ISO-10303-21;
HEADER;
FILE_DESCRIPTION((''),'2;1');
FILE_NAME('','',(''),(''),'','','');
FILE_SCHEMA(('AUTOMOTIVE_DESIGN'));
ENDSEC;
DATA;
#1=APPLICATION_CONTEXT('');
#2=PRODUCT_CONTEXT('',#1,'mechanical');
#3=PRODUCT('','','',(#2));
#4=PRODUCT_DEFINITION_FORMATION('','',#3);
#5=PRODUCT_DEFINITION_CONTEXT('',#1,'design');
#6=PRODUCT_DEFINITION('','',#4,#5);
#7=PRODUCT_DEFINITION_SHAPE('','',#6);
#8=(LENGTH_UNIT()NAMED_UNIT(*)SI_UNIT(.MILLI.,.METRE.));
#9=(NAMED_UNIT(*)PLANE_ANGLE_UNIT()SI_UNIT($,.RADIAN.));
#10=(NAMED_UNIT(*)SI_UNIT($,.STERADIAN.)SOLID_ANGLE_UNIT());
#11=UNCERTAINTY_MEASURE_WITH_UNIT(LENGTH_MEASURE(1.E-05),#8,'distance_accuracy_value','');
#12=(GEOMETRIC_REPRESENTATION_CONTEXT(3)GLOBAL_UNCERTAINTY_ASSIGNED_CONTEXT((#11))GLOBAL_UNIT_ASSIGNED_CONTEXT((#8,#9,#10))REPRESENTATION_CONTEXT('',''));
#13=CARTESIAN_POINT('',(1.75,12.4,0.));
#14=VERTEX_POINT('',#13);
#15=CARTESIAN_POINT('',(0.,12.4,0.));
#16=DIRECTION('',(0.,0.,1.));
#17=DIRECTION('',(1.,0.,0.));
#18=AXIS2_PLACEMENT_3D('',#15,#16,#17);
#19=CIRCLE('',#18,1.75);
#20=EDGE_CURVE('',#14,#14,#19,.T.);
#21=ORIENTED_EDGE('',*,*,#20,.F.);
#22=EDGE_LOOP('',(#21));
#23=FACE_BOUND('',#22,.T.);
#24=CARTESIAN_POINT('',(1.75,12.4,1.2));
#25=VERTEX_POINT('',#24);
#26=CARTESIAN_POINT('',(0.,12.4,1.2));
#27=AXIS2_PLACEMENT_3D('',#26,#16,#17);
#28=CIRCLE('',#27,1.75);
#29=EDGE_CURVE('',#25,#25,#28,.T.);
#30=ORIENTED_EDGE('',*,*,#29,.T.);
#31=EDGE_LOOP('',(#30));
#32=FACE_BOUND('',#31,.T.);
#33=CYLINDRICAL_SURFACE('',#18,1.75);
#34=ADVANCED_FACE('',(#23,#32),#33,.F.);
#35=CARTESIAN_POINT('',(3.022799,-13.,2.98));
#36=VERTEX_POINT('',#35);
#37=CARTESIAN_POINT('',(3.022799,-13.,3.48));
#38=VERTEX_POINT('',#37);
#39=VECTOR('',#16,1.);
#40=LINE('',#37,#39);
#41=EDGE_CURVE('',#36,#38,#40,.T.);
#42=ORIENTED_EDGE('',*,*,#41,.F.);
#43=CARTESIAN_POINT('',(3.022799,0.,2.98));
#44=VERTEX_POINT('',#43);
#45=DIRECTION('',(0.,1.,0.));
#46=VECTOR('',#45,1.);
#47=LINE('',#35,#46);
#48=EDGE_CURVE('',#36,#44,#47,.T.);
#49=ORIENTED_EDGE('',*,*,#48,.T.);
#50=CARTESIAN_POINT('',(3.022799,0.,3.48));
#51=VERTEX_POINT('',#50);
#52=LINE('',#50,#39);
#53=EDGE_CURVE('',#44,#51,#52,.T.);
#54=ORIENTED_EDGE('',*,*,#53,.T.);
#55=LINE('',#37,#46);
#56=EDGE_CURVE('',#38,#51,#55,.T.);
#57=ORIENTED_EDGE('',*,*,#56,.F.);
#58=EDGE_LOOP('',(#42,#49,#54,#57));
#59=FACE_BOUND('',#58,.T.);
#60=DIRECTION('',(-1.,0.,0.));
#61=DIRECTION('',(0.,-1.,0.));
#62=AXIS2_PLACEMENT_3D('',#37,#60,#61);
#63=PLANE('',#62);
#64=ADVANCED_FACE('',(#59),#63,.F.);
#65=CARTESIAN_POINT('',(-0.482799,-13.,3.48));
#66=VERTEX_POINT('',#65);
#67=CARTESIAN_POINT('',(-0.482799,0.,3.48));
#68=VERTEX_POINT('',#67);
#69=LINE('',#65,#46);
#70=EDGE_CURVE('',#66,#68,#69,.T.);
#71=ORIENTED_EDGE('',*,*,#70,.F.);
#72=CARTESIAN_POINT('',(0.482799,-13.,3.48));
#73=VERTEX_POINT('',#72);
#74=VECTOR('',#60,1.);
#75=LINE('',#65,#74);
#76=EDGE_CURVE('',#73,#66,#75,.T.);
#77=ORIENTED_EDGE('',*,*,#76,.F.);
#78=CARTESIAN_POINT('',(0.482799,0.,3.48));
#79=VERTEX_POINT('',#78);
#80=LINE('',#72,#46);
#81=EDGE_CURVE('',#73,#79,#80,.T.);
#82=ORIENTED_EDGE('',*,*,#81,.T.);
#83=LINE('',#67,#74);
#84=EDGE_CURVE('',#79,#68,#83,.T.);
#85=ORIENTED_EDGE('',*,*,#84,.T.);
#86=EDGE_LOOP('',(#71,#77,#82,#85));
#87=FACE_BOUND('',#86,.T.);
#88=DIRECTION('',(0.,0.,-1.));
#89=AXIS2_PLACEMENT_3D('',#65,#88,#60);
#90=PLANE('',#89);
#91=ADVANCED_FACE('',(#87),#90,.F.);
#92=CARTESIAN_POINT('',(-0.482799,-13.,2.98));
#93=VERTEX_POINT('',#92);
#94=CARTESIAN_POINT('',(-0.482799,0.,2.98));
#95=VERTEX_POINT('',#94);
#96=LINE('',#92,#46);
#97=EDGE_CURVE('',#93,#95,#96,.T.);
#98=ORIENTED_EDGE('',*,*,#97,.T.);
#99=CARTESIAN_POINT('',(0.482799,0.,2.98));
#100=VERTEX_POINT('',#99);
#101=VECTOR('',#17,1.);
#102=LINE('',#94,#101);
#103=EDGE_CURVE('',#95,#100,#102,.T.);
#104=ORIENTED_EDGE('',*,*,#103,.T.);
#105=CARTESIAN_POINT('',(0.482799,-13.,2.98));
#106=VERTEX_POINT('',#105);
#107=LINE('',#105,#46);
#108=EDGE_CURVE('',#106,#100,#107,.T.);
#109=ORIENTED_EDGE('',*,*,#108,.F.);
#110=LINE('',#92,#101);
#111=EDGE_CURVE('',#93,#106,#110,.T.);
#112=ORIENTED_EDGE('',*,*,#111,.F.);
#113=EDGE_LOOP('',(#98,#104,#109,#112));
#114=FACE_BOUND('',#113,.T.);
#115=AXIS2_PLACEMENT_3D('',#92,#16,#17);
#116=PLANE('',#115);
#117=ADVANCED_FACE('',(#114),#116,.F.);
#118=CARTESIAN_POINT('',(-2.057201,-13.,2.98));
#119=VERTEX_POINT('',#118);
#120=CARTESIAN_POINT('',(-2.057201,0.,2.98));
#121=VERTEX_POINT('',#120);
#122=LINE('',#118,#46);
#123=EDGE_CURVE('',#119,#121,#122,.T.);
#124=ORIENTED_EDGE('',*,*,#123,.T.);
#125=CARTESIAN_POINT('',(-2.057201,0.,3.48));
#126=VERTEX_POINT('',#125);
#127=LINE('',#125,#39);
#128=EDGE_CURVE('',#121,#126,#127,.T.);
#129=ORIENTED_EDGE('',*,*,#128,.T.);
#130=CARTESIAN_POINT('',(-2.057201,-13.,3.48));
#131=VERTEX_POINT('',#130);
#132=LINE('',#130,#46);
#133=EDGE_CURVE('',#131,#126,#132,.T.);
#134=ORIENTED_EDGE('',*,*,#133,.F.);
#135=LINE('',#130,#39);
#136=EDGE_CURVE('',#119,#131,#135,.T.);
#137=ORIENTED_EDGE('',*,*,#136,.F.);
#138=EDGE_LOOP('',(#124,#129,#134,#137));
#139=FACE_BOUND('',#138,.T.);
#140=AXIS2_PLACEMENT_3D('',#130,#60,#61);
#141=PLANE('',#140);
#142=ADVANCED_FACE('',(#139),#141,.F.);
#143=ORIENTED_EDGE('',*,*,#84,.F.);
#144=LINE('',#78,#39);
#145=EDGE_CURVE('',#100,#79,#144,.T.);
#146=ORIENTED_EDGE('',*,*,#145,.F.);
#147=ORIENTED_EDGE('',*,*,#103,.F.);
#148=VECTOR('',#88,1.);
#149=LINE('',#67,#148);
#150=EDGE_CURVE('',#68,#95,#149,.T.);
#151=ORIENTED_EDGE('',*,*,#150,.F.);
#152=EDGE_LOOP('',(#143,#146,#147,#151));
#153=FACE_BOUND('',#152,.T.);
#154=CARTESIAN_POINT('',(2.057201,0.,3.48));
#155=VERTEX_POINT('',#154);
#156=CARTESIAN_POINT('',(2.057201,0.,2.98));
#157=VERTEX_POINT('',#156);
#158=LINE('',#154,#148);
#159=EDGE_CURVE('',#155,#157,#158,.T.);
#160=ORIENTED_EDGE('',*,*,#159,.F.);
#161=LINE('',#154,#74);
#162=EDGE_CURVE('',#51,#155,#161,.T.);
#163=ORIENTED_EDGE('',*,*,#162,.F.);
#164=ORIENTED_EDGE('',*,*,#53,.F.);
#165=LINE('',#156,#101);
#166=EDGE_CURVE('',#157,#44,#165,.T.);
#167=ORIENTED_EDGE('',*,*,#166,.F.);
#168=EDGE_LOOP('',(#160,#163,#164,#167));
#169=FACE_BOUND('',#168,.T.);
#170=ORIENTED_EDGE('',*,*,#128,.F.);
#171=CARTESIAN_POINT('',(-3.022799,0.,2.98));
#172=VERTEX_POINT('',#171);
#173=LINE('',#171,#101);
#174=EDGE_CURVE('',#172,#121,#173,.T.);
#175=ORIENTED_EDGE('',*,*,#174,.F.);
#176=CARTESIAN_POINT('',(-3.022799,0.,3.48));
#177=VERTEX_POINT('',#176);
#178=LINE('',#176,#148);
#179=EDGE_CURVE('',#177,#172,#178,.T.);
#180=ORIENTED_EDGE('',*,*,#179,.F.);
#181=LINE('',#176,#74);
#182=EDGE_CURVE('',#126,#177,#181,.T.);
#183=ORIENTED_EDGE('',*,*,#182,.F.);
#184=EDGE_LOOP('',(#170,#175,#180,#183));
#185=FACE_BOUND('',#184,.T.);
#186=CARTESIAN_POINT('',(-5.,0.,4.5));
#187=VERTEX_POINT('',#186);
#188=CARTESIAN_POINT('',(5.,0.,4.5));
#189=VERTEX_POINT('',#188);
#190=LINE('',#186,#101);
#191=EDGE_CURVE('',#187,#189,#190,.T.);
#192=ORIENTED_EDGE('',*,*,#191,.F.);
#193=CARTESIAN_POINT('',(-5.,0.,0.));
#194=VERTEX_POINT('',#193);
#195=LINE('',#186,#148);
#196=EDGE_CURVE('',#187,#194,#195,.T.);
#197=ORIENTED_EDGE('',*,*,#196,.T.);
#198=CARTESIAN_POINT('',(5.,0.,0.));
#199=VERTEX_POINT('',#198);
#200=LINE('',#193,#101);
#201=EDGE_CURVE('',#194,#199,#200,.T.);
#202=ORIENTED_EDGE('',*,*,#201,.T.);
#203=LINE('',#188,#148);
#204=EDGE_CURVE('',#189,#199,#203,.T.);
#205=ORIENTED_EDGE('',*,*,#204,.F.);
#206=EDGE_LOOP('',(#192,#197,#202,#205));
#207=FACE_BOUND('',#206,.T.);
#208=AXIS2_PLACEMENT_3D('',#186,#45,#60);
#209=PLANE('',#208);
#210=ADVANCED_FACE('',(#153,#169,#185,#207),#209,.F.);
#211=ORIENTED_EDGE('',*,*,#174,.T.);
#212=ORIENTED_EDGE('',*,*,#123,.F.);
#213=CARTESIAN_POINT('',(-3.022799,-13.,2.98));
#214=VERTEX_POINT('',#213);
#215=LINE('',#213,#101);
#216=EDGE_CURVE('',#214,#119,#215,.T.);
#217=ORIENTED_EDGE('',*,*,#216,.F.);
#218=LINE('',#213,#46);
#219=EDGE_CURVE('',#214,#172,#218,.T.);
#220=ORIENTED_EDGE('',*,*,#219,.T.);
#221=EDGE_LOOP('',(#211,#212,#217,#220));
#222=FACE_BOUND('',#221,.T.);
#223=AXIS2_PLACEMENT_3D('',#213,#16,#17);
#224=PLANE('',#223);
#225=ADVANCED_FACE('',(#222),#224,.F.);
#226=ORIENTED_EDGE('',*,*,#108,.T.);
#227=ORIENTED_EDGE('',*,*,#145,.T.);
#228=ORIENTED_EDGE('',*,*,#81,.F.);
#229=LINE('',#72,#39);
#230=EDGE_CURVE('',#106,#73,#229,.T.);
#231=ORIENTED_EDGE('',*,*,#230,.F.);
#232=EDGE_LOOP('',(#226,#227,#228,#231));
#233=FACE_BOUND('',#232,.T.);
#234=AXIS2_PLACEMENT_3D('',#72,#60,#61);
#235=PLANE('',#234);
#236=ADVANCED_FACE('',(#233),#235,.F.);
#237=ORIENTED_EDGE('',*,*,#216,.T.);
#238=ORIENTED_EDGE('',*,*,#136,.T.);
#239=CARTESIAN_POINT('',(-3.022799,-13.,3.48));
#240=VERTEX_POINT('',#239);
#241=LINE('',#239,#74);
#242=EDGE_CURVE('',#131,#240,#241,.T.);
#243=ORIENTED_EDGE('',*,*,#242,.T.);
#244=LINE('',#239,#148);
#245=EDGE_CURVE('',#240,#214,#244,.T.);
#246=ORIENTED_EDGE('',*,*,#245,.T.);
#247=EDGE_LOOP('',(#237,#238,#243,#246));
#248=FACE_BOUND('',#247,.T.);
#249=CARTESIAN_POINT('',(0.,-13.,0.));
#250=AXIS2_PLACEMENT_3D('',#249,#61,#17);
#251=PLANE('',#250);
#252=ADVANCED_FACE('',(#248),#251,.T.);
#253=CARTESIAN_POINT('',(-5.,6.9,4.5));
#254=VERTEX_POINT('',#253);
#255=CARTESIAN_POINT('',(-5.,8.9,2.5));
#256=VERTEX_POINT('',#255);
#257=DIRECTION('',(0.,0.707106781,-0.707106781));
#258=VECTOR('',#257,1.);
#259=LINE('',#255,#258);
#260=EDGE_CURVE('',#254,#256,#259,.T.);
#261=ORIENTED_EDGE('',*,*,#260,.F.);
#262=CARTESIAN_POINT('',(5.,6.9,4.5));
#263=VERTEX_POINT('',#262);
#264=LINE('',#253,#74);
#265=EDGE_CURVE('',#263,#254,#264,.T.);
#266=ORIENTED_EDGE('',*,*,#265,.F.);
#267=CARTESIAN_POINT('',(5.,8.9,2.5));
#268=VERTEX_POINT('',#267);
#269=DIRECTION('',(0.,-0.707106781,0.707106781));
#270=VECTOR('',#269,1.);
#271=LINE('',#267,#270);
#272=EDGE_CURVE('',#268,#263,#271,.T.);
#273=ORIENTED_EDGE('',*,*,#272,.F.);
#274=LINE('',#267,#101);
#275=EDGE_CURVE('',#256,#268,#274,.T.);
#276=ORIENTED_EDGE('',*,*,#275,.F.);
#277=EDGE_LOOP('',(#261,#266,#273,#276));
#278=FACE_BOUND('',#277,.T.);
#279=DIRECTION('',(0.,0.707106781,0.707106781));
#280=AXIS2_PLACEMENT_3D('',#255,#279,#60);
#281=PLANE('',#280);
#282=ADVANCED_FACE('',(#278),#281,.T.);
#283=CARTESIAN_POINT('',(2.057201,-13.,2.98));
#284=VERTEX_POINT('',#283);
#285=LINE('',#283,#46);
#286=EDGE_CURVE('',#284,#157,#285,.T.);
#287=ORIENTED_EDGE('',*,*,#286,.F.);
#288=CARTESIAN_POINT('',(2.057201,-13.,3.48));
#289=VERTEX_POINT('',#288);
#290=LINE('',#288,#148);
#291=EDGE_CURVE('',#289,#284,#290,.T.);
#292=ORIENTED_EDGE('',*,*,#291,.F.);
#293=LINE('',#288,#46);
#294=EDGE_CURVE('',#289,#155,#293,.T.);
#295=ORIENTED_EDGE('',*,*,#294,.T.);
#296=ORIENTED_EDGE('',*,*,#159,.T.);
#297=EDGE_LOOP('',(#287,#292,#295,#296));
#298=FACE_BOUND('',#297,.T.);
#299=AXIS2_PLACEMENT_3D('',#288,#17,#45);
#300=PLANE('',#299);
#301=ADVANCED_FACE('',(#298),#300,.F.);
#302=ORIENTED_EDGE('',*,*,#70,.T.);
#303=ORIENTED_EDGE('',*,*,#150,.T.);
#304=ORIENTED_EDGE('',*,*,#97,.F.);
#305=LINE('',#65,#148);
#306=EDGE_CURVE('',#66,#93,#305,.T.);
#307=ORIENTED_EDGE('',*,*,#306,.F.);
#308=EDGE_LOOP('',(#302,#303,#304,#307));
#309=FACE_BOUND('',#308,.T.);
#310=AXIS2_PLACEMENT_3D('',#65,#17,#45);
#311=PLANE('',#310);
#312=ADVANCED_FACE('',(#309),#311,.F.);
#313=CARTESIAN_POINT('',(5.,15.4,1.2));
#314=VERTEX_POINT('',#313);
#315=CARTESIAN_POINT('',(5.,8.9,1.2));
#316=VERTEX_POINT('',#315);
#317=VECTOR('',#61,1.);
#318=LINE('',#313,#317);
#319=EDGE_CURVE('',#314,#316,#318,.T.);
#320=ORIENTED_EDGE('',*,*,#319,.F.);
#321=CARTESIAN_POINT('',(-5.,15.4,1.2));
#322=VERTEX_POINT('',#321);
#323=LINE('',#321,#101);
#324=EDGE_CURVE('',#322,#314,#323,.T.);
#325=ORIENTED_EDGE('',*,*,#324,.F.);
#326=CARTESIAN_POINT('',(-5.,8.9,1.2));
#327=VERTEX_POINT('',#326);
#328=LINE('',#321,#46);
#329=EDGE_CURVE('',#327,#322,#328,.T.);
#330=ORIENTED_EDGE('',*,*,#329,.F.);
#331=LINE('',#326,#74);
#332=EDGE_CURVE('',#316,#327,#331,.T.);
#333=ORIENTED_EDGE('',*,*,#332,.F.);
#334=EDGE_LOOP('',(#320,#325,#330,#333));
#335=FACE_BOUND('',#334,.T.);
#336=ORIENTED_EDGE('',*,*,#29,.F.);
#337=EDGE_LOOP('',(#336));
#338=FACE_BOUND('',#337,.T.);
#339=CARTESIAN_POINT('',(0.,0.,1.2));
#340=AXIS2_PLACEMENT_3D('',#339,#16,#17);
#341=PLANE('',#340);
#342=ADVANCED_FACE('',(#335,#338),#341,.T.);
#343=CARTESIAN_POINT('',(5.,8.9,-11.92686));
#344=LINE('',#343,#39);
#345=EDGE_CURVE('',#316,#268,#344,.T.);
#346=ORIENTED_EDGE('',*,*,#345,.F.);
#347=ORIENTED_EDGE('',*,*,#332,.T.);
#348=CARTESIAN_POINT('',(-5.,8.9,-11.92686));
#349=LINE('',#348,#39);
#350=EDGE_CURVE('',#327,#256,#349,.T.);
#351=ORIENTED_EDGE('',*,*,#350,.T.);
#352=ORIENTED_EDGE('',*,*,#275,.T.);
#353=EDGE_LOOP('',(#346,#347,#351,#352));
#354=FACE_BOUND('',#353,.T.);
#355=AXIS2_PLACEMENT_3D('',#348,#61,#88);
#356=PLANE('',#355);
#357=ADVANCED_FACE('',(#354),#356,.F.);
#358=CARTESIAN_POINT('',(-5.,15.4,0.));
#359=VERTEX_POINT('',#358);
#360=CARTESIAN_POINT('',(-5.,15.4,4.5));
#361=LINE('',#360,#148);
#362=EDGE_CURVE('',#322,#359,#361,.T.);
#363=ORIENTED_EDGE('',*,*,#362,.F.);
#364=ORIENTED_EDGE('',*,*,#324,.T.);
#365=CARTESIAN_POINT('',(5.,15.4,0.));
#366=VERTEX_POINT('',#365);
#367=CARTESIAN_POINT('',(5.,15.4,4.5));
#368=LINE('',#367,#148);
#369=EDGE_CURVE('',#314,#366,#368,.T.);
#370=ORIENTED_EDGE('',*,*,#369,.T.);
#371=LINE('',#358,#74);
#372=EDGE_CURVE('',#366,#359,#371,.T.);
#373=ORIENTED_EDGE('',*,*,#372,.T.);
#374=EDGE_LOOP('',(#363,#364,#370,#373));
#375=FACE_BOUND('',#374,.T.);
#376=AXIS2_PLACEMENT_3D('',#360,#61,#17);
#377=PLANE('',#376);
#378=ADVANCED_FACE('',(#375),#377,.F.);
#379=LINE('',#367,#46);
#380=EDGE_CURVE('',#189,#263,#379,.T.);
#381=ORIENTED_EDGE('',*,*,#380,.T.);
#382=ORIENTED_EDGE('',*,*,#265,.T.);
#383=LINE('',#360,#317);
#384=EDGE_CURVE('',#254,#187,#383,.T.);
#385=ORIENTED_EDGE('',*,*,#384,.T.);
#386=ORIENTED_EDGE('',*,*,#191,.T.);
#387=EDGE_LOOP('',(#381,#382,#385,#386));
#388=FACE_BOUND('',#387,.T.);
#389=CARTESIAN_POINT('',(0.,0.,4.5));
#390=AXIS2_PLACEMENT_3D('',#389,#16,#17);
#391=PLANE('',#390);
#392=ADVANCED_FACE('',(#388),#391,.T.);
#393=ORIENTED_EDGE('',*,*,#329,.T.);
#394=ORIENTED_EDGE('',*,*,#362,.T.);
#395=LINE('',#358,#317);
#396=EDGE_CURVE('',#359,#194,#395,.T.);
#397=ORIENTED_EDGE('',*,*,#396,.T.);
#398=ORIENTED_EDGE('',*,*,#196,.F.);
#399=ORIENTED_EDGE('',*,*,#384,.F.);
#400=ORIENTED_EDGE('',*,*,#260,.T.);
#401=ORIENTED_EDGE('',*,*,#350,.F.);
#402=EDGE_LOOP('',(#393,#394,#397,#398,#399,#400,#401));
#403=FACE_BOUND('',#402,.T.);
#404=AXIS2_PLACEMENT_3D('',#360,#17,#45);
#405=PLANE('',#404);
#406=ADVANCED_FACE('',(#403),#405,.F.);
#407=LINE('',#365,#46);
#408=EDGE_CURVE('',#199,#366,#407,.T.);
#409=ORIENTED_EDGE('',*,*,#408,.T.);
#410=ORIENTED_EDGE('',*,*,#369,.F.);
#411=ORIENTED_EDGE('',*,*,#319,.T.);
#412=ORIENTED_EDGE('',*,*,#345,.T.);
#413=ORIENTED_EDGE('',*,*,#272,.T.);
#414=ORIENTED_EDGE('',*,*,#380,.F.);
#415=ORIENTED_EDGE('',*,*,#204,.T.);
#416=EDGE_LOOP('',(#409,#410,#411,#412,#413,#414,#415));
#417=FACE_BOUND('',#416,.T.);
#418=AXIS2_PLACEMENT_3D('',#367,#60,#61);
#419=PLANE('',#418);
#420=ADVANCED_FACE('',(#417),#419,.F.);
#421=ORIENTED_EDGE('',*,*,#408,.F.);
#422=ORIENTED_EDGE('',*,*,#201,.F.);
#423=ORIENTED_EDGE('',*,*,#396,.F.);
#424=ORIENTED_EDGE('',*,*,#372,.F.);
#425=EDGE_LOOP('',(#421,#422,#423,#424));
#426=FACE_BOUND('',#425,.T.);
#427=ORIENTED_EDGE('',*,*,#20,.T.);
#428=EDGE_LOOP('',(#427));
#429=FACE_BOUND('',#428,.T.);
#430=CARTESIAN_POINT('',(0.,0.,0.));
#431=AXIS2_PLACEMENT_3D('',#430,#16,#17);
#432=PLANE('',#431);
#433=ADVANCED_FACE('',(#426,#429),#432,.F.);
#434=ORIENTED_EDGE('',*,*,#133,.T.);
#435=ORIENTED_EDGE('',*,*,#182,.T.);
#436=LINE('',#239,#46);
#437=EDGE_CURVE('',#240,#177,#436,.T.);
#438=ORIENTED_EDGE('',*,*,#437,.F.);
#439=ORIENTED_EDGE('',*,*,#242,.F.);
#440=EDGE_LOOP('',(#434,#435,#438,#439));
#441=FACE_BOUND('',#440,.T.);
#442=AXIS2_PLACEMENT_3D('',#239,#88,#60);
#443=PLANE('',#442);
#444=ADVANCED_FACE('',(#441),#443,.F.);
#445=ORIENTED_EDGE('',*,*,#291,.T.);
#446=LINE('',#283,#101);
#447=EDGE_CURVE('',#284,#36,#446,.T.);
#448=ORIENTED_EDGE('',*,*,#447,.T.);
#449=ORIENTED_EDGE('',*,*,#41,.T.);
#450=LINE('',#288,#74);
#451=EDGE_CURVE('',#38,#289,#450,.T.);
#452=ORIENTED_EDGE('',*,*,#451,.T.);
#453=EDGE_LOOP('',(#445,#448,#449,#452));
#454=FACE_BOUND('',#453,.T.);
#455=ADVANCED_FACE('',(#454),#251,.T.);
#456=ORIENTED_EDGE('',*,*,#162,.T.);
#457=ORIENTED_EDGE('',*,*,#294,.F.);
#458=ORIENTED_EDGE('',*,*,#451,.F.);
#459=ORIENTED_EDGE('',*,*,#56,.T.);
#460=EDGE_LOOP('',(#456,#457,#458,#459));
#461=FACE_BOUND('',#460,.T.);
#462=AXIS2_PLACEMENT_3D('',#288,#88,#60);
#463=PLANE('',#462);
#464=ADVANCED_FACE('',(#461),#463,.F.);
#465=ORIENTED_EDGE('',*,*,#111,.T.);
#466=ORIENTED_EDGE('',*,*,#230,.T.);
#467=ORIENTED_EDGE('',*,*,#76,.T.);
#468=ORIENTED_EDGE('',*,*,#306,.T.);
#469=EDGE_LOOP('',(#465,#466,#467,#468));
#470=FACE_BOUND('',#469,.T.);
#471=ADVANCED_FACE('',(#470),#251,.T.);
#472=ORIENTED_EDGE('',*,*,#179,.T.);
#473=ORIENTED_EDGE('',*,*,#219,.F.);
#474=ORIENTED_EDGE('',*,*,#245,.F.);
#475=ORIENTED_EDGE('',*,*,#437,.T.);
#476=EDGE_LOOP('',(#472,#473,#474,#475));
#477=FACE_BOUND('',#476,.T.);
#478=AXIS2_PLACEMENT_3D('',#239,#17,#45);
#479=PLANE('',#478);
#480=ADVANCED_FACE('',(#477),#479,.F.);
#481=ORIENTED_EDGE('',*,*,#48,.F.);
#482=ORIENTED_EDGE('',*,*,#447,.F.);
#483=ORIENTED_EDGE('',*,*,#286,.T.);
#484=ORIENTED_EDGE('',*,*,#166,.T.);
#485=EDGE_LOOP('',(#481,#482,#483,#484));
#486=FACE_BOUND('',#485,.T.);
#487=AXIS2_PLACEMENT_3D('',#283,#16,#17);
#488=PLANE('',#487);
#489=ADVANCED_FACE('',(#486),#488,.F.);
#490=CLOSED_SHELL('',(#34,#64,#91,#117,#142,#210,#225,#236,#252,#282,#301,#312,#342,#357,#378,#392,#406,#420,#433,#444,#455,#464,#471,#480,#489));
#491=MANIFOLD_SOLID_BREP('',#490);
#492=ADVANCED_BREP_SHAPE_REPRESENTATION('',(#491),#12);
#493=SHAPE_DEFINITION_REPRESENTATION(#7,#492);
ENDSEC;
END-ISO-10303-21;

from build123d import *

# Parameters (mm, degrees)
SKETCH_1_W          = 10
SKETCH_1_H          = 15.4
EXTRUDE_1_DEPTH     = 4.5
SKETCH_2_W          = 10
SKETCH_2_H          = 6.5
CUT_EXTRUDE_1_DEPTH = 3.3
CHAMFER_1_SIZE      = 2
SKETCH_3_R          = 1.75
CUT_EXTRUDE_2_DEPTH = 17.524224641
SKETCH_4_W          = 0.965597518
SKETCH_4_H          = 0.5
EXTRUDE_2_DEPTH     = 13


with BuildPart() as part:
    # 草图1 → 凸台-拉伸1 (new body)
    with BuildSketch(Plane.XY):
        with Locations((0, 7.7)):
            Rectangle(SKETCH_1_W, SKETCH_1_H)
    extrude(amount=EXTRUDE_1_DEPTH)

    # 草图2 → 切除-拉伸1 (cut)
    with BuildSketch(Plane.XY.offset(4.5)):
        with Locations((0, 12.15)):
            Rectangle(SKETCH_2_W, SKETCH_2_H)
    extrude(amount=-CUT_EXTRUDE_1_DEPTH, mode=Mode.SUBTRACT)

    # 倒角1
    chamfer_1_edges = [part.edges().sort_by_distance(p)[0] for p in [
        (0, 8.9, 4.5),
    ]]
    chamfer(chamfer_1_edges, length=CHAMFER_1_SIZE)

    # 草图3 → 切除-拉伸2 (cut, through all)
    with BuildSketch(Plane.XY.offset(1.2)):
        with Locations((0, 12.4)):
            Circle(SKETCH_3_R)
    extrude(amount=-CUT_EXTRUDE_2_DEPTH, mode=Mode.SUBTRACT)

    # 草图4 → 凸台-拉伸2 (add)
    with BuildSketch(Plane.XZ):
        with Locations((2.54, 3.23)):
            Rectangle(SKETCH_4_W, SKETCH_4_H)
        with Locations((0, 3.23)):
            Rectangle(SKETCH_4_W, SKETCH_4_H)
        with Locations((-2.54, 3.23)):
            Rectangle(SKETCH_4_W, SKETCH_4_H)
    extrude(amount=EXTRUDE_2_DEPTH)


solid = part.part
